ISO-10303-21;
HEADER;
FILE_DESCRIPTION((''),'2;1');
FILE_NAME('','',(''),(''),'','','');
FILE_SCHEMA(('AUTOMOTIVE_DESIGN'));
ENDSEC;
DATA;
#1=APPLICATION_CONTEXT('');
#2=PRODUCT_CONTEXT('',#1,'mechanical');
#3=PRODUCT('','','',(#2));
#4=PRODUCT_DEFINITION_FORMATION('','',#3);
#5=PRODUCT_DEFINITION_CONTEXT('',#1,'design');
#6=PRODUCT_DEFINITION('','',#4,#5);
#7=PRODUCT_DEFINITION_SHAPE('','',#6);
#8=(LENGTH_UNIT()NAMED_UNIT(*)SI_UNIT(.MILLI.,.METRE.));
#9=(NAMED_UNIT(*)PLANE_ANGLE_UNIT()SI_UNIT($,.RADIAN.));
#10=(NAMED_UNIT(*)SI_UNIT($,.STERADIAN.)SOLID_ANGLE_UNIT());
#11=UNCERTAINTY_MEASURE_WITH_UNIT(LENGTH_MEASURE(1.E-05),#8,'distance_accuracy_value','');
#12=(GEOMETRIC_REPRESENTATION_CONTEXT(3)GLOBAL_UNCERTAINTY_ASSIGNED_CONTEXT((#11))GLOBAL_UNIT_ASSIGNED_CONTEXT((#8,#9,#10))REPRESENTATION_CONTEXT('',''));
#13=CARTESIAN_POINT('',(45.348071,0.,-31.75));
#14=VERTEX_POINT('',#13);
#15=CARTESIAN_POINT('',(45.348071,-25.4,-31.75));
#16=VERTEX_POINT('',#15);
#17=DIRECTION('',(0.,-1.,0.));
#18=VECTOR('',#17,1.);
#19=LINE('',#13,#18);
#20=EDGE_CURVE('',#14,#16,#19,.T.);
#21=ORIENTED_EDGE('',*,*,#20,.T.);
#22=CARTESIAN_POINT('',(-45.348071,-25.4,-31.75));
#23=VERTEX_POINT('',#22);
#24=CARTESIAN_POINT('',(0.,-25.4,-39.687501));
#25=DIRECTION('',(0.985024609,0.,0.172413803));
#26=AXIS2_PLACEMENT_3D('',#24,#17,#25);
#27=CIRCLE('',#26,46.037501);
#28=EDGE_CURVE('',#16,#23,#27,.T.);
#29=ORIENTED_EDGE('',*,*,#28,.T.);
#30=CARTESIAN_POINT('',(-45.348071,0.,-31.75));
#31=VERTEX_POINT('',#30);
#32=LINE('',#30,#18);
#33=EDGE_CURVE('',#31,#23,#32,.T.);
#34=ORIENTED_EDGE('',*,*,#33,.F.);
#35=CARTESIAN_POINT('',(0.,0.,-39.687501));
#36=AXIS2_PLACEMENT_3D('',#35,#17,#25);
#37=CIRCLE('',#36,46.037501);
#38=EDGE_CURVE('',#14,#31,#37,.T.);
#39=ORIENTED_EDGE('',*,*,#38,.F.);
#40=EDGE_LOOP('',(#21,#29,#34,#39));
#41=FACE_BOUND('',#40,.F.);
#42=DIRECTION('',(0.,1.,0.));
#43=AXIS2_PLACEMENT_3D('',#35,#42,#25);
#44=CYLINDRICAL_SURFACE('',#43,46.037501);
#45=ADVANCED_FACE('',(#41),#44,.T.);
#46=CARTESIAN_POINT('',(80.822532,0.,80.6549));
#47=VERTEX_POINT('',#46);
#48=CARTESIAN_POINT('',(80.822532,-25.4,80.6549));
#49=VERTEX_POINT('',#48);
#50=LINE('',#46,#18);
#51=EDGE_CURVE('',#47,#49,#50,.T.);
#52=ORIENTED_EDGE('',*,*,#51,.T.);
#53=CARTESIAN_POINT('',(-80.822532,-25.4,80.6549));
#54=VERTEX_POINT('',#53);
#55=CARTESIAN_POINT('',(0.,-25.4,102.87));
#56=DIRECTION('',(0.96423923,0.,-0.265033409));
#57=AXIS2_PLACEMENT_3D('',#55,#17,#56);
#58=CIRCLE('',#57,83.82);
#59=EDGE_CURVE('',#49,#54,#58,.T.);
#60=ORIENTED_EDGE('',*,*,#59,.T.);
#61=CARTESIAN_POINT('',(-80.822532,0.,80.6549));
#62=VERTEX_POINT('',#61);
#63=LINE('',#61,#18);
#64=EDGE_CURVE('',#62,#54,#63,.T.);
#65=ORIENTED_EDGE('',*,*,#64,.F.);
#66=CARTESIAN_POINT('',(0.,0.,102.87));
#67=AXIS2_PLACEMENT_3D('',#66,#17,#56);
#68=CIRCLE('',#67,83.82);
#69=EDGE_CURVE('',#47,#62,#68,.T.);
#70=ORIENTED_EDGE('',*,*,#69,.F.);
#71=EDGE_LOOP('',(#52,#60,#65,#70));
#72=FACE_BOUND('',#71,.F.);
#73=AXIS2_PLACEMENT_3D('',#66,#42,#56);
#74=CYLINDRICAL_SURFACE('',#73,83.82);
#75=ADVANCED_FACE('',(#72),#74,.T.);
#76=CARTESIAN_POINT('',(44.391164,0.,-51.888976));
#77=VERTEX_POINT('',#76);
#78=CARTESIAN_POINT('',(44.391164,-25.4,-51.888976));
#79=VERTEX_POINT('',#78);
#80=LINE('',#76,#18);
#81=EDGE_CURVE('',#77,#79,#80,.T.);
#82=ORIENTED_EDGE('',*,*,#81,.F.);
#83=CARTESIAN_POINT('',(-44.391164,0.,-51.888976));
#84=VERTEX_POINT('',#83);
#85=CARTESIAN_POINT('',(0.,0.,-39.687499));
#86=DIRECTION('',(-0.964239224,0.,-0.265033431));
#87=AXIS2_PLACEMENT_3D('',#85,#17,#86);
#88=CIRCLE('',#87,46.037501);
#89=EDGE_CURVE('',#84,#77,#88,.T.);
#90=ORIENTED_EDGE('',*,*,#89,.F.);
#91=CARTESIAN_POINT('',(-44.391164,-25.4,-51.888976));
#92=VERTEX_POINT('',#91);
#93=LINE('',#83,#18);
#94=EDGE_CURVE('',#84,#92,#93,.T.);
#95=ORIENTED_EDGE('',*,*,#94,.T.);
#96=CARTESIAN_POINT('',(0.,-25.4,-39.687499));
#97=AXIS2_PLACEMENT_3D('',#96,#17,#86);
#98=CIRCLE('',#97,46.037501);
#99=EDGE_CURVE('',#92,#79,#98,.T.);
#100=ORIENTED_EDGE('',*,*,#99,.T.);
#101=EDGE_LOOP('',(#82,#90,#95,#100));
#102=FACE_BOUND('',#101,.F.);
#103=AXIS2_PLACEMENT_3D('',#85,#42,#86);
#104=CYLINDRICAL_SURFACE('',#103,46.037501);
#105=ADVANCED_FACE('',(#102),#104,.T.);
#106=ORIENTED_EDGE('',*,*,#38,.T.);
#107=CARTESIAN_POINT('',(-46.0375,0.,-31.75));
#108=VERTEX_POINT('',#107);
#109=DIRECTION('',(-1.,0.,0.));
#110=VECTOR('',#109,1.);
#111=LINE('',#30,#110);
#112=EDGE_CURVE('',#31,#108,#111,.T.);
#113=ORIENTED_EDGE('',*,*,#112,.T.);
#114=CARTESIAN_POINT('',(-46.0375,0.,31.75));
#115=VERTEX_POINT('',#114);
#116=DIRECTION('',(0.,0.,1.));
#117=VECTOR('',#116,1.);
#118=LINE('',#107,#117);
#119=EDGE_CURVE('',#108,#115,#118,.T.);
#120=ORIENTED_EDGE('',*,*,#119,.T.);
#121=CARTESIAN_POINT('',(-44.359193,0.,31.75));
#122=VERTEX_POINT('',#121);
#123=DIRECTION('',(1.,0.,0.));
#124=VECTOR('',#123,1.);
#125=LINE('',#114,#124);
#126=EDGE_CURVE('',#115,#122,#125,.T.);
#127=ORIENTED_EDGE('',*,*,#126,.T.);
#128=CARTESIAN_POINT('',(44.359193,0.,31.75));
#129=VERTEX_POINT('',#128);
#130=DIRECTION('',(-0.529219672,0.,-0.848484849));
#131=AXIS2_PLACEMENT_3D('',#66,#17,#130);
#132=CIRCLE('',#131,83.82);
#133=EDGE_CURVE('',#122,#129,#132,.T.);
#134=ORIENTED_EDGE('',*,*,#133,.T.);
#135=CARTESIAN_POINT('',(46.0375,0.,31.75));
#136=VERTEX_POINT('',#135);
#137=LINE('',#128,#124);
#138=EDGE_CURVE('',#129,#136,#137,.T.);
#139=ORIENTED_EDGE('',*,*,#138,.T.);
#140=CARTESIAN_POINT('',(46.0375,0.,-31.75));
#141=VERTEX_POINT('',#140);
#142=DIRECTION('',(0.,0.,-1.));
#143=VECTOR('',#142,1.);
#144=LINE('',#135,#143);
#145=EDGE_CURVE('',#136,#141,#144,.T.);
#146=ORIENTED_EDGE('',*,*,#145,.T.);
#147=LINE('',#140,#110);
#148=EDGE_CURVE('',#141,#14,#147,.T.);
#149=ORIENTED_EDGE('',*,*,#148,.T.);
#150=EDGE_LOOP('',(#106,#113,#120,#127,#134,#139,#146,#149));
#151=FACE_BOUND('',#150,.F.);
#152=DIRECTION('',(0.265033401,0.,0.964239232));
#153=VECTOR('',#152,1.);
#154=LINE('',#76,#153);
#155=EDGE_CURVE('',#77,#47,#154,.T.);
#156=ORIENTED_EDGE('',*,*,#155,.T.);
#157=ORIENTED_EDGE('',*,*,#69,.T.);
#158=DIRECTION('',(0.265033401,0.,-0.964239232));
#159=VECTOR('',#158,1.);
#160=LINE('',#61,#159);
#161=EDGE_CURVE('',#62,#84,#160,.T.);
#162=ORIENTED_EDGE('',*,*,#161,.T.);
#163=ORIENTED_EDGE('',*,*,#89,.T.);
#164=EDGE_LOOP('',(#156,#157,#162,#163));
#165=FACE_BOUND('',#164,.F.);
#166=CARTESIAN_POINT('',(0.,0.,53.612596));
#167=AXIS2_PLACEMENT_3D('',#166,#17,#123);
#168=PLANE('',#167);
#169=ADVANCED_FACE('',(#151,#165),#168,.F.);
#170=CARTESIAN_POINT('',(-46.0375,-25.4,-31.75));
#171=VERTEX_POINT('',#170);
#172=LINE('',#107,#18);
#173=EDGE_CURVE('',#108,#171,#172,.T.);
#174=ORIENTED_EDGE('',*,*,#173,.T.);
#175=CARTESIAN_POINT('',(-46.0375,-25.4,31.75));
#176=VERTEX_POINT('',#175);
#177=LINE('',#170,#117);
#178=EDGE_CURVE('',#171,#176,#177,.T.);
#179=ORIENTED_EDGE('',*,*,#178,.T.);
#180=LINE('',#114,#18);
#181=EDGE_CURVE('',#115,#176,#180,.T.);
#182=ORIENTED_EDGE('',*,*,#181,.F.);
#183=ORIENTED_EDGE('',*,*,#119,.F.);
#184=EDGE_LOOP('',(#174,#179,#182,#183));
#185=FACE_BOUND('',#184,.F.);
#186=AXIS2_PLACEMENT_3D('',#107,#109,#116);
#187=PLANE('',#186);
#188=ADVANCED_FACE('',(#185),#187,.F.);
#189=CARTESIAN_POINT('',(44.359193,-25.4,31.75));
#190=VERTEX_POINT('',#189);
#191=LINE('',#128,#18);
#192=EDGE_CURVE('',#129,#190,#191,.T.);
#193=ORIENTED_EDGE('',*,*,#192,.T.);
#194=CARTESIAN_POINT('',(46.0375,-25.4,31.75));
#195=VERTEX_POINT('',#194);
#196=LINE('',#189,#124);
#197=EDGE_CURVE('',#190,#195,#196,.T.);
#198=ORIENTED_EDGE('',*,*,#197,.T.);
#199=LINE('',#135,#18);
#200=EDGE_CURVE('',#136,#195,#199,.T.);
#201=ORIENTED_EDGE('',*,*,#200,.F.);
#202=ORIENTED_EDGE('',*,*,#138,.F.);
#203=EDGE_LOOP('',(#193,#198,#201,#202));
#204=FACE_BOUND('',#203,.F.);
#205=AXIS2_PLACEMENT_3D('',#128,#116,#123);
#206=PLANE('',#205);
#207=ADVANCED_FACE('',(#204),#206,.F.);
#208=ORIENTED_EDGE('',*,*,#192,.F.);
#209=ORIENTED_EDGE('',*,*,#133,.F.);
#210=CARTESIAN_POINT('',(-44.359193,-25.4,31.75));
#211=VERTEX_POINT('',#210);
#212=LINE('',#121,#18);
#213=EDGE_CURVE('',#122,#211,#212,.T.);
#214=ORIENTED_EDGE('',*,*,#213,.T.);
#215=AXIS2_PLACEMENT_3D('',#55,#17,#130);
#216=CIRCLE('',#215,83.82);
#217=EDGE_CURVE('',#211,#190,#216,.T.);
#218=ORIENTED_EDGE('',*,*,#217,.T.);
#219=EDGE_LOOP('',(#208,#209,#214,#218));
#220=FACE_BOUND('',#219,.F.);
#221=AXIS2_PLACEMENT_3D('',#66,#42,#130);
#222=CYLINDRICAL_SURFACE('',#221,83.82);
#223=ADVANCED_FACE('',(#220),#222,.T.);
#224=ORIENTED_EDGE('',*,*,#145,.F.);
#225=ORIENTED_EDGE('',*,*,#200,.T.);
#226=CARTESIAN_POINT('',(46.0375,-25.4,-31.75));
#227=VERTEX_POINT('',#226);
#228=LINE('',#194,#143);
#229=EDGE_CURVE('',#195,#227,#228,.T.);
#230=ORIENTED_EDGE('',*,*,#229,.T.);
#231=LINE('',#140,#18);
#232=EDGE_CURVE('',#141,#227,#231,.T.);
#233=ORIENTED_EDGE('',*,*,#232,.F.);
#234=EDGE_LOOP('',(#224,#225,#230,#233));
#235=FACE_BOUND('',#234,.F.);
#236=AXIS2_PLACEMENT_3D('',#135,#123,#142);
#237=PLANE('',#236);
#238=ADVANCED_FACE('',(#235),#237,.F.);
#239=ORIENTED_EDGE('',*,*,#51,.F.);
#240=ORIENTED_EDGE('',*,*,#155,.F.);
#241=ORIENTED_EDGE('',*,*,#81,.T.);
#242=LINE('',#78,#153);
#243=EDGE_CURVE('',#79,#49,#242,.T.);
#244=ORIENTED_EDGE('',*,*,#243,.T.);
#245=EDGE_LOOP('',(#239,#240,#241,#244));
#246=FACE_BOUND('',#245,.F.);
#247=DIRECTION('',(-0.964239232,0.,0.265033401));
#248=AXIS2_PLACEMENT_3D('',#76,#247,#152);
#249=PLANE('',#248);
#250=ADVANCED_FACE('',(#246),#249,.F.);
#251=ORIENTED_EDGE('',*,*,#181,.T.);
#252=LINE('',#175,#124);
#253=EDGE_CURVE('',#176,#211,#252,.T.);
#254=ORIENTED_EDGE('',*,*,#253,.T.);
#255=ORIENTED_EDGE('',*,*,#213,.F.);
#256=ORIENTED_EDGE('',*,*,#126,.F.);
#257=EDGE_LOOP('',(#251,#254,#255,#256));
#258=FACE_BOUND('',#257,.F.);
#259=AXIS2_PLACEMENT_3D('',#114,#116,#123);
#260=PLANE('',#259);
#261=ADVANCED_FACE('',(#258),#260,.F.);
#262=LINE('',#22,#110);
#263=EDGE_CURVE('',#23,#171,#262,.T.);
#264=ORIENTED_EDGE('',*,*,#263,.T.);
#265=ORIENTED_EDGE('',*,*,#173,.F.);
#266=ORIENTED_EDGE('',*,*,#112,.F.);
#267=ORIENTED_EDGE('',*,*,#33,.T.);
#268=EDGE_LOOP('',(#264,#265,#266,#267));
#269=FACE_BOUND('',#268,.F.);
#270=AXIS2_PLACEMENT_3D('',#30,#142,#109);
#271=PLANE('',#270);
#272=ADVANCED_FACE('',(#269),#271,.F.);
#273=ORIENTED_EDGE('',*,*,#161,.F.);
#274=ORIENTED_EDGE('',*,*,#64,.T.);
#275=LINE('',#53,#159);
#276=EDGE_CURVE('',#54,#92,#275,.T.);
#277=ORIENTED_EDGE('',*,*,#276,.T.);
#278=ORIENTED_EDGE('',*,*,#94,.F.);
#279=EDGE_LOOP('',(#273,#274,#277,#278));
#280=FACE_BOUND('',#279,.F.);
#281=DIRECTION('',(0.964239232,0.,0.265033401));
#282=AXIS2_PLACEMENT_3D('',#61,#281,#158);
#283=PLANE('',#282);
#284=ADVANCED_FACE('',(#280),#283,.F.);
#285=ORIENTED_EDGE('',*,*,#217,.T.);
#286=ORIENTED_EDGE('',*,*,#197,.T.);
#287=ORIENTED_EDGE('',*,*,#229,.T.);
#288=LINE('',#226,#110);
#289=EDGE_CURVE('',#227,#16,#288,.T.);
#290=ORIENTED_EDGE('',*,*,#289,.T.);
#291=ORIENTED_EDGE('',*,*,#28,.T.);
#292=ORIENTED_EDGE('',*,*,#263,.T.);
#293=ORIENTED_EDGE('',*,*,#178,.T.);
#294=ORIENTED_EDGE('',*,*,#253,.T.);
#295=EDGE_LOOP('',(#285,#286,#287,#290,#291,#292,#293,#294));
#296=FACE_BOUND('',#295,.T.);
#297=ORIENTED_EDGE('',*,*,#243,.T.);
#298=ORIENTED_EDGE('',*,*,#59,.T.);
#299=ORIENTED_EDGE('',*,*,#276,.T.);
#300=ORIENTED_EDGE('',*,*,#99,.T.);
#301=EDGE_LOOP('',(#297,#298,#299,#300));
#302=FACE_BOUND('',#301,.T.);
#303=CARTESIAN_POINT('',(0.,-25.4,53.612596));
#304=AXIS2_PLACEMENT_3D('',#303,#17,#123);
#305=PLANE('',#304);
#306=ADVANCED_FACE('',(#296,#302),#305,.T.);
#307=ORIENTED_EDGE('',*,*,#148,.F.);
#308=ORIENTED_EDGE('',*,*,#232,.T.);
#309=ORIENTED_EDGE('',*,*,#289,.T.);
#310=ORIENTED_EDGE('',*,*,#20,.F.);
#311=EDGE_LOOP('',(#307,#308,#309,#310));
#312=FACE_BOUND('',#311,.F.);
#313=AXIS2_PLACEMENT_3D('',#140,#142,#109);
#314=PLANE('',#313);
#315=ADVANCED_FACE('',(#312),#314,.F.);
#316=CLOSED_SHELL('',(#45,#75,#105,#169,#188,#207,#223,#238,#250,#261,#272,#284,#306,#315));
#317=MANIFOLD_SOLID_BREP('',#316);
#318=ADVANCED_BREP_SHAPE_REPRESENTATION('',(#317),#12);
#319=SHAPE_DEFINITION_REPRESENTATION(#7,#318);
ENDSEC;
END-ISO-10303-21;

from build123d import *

# Parameters (mm, degrees)
F1_DEPTH = 25.4


with BuildPart() as f1:
    # F0 (on Front) → F1 (new body)
    with BuildSketch(Plane.XZ):
        with BuildLine():
            Line((44.391164, -51.888976), (80.822532, 80.6549))
            ThreePointArc((80.822532, 80.6549), (0, 186.69), (-80.822532, 80.6549))
            Line((-80.822532, 80.6549), (-44.391164, -51.888976))
            ThreePointArc((-44.391164, -51.888976), (0, -85.725), (44.391164, -51.888976))
        make_face()
        with BuildLine():
            Line((44.359193, 31.75), (46.0375, 31.75))
            Line((46.0375, 31.75), (46.0375, -31.75))
            Line((46.0375, -31.75), (45.348071, -31.75))
            ThreePointArc((45.348071, -31.75), (0, 6.35), (-45.348071, -31.75))
            Line((-45.348071, -31.75), (-46.0375, -31.75))
            Line((-46.0375, -31.75), (-46.0375, 31.75))
            Line((-46.0375, 31.75), (-44.359193, 31.75))
            ThreePointArc((-44.359193, 31.75), (0, 19.05), (44.359193, 31.75))
        make_face(mode=Mode.SUBTRACT)
    extrude(amount=F1_DEPTH)


solid = f1.part
